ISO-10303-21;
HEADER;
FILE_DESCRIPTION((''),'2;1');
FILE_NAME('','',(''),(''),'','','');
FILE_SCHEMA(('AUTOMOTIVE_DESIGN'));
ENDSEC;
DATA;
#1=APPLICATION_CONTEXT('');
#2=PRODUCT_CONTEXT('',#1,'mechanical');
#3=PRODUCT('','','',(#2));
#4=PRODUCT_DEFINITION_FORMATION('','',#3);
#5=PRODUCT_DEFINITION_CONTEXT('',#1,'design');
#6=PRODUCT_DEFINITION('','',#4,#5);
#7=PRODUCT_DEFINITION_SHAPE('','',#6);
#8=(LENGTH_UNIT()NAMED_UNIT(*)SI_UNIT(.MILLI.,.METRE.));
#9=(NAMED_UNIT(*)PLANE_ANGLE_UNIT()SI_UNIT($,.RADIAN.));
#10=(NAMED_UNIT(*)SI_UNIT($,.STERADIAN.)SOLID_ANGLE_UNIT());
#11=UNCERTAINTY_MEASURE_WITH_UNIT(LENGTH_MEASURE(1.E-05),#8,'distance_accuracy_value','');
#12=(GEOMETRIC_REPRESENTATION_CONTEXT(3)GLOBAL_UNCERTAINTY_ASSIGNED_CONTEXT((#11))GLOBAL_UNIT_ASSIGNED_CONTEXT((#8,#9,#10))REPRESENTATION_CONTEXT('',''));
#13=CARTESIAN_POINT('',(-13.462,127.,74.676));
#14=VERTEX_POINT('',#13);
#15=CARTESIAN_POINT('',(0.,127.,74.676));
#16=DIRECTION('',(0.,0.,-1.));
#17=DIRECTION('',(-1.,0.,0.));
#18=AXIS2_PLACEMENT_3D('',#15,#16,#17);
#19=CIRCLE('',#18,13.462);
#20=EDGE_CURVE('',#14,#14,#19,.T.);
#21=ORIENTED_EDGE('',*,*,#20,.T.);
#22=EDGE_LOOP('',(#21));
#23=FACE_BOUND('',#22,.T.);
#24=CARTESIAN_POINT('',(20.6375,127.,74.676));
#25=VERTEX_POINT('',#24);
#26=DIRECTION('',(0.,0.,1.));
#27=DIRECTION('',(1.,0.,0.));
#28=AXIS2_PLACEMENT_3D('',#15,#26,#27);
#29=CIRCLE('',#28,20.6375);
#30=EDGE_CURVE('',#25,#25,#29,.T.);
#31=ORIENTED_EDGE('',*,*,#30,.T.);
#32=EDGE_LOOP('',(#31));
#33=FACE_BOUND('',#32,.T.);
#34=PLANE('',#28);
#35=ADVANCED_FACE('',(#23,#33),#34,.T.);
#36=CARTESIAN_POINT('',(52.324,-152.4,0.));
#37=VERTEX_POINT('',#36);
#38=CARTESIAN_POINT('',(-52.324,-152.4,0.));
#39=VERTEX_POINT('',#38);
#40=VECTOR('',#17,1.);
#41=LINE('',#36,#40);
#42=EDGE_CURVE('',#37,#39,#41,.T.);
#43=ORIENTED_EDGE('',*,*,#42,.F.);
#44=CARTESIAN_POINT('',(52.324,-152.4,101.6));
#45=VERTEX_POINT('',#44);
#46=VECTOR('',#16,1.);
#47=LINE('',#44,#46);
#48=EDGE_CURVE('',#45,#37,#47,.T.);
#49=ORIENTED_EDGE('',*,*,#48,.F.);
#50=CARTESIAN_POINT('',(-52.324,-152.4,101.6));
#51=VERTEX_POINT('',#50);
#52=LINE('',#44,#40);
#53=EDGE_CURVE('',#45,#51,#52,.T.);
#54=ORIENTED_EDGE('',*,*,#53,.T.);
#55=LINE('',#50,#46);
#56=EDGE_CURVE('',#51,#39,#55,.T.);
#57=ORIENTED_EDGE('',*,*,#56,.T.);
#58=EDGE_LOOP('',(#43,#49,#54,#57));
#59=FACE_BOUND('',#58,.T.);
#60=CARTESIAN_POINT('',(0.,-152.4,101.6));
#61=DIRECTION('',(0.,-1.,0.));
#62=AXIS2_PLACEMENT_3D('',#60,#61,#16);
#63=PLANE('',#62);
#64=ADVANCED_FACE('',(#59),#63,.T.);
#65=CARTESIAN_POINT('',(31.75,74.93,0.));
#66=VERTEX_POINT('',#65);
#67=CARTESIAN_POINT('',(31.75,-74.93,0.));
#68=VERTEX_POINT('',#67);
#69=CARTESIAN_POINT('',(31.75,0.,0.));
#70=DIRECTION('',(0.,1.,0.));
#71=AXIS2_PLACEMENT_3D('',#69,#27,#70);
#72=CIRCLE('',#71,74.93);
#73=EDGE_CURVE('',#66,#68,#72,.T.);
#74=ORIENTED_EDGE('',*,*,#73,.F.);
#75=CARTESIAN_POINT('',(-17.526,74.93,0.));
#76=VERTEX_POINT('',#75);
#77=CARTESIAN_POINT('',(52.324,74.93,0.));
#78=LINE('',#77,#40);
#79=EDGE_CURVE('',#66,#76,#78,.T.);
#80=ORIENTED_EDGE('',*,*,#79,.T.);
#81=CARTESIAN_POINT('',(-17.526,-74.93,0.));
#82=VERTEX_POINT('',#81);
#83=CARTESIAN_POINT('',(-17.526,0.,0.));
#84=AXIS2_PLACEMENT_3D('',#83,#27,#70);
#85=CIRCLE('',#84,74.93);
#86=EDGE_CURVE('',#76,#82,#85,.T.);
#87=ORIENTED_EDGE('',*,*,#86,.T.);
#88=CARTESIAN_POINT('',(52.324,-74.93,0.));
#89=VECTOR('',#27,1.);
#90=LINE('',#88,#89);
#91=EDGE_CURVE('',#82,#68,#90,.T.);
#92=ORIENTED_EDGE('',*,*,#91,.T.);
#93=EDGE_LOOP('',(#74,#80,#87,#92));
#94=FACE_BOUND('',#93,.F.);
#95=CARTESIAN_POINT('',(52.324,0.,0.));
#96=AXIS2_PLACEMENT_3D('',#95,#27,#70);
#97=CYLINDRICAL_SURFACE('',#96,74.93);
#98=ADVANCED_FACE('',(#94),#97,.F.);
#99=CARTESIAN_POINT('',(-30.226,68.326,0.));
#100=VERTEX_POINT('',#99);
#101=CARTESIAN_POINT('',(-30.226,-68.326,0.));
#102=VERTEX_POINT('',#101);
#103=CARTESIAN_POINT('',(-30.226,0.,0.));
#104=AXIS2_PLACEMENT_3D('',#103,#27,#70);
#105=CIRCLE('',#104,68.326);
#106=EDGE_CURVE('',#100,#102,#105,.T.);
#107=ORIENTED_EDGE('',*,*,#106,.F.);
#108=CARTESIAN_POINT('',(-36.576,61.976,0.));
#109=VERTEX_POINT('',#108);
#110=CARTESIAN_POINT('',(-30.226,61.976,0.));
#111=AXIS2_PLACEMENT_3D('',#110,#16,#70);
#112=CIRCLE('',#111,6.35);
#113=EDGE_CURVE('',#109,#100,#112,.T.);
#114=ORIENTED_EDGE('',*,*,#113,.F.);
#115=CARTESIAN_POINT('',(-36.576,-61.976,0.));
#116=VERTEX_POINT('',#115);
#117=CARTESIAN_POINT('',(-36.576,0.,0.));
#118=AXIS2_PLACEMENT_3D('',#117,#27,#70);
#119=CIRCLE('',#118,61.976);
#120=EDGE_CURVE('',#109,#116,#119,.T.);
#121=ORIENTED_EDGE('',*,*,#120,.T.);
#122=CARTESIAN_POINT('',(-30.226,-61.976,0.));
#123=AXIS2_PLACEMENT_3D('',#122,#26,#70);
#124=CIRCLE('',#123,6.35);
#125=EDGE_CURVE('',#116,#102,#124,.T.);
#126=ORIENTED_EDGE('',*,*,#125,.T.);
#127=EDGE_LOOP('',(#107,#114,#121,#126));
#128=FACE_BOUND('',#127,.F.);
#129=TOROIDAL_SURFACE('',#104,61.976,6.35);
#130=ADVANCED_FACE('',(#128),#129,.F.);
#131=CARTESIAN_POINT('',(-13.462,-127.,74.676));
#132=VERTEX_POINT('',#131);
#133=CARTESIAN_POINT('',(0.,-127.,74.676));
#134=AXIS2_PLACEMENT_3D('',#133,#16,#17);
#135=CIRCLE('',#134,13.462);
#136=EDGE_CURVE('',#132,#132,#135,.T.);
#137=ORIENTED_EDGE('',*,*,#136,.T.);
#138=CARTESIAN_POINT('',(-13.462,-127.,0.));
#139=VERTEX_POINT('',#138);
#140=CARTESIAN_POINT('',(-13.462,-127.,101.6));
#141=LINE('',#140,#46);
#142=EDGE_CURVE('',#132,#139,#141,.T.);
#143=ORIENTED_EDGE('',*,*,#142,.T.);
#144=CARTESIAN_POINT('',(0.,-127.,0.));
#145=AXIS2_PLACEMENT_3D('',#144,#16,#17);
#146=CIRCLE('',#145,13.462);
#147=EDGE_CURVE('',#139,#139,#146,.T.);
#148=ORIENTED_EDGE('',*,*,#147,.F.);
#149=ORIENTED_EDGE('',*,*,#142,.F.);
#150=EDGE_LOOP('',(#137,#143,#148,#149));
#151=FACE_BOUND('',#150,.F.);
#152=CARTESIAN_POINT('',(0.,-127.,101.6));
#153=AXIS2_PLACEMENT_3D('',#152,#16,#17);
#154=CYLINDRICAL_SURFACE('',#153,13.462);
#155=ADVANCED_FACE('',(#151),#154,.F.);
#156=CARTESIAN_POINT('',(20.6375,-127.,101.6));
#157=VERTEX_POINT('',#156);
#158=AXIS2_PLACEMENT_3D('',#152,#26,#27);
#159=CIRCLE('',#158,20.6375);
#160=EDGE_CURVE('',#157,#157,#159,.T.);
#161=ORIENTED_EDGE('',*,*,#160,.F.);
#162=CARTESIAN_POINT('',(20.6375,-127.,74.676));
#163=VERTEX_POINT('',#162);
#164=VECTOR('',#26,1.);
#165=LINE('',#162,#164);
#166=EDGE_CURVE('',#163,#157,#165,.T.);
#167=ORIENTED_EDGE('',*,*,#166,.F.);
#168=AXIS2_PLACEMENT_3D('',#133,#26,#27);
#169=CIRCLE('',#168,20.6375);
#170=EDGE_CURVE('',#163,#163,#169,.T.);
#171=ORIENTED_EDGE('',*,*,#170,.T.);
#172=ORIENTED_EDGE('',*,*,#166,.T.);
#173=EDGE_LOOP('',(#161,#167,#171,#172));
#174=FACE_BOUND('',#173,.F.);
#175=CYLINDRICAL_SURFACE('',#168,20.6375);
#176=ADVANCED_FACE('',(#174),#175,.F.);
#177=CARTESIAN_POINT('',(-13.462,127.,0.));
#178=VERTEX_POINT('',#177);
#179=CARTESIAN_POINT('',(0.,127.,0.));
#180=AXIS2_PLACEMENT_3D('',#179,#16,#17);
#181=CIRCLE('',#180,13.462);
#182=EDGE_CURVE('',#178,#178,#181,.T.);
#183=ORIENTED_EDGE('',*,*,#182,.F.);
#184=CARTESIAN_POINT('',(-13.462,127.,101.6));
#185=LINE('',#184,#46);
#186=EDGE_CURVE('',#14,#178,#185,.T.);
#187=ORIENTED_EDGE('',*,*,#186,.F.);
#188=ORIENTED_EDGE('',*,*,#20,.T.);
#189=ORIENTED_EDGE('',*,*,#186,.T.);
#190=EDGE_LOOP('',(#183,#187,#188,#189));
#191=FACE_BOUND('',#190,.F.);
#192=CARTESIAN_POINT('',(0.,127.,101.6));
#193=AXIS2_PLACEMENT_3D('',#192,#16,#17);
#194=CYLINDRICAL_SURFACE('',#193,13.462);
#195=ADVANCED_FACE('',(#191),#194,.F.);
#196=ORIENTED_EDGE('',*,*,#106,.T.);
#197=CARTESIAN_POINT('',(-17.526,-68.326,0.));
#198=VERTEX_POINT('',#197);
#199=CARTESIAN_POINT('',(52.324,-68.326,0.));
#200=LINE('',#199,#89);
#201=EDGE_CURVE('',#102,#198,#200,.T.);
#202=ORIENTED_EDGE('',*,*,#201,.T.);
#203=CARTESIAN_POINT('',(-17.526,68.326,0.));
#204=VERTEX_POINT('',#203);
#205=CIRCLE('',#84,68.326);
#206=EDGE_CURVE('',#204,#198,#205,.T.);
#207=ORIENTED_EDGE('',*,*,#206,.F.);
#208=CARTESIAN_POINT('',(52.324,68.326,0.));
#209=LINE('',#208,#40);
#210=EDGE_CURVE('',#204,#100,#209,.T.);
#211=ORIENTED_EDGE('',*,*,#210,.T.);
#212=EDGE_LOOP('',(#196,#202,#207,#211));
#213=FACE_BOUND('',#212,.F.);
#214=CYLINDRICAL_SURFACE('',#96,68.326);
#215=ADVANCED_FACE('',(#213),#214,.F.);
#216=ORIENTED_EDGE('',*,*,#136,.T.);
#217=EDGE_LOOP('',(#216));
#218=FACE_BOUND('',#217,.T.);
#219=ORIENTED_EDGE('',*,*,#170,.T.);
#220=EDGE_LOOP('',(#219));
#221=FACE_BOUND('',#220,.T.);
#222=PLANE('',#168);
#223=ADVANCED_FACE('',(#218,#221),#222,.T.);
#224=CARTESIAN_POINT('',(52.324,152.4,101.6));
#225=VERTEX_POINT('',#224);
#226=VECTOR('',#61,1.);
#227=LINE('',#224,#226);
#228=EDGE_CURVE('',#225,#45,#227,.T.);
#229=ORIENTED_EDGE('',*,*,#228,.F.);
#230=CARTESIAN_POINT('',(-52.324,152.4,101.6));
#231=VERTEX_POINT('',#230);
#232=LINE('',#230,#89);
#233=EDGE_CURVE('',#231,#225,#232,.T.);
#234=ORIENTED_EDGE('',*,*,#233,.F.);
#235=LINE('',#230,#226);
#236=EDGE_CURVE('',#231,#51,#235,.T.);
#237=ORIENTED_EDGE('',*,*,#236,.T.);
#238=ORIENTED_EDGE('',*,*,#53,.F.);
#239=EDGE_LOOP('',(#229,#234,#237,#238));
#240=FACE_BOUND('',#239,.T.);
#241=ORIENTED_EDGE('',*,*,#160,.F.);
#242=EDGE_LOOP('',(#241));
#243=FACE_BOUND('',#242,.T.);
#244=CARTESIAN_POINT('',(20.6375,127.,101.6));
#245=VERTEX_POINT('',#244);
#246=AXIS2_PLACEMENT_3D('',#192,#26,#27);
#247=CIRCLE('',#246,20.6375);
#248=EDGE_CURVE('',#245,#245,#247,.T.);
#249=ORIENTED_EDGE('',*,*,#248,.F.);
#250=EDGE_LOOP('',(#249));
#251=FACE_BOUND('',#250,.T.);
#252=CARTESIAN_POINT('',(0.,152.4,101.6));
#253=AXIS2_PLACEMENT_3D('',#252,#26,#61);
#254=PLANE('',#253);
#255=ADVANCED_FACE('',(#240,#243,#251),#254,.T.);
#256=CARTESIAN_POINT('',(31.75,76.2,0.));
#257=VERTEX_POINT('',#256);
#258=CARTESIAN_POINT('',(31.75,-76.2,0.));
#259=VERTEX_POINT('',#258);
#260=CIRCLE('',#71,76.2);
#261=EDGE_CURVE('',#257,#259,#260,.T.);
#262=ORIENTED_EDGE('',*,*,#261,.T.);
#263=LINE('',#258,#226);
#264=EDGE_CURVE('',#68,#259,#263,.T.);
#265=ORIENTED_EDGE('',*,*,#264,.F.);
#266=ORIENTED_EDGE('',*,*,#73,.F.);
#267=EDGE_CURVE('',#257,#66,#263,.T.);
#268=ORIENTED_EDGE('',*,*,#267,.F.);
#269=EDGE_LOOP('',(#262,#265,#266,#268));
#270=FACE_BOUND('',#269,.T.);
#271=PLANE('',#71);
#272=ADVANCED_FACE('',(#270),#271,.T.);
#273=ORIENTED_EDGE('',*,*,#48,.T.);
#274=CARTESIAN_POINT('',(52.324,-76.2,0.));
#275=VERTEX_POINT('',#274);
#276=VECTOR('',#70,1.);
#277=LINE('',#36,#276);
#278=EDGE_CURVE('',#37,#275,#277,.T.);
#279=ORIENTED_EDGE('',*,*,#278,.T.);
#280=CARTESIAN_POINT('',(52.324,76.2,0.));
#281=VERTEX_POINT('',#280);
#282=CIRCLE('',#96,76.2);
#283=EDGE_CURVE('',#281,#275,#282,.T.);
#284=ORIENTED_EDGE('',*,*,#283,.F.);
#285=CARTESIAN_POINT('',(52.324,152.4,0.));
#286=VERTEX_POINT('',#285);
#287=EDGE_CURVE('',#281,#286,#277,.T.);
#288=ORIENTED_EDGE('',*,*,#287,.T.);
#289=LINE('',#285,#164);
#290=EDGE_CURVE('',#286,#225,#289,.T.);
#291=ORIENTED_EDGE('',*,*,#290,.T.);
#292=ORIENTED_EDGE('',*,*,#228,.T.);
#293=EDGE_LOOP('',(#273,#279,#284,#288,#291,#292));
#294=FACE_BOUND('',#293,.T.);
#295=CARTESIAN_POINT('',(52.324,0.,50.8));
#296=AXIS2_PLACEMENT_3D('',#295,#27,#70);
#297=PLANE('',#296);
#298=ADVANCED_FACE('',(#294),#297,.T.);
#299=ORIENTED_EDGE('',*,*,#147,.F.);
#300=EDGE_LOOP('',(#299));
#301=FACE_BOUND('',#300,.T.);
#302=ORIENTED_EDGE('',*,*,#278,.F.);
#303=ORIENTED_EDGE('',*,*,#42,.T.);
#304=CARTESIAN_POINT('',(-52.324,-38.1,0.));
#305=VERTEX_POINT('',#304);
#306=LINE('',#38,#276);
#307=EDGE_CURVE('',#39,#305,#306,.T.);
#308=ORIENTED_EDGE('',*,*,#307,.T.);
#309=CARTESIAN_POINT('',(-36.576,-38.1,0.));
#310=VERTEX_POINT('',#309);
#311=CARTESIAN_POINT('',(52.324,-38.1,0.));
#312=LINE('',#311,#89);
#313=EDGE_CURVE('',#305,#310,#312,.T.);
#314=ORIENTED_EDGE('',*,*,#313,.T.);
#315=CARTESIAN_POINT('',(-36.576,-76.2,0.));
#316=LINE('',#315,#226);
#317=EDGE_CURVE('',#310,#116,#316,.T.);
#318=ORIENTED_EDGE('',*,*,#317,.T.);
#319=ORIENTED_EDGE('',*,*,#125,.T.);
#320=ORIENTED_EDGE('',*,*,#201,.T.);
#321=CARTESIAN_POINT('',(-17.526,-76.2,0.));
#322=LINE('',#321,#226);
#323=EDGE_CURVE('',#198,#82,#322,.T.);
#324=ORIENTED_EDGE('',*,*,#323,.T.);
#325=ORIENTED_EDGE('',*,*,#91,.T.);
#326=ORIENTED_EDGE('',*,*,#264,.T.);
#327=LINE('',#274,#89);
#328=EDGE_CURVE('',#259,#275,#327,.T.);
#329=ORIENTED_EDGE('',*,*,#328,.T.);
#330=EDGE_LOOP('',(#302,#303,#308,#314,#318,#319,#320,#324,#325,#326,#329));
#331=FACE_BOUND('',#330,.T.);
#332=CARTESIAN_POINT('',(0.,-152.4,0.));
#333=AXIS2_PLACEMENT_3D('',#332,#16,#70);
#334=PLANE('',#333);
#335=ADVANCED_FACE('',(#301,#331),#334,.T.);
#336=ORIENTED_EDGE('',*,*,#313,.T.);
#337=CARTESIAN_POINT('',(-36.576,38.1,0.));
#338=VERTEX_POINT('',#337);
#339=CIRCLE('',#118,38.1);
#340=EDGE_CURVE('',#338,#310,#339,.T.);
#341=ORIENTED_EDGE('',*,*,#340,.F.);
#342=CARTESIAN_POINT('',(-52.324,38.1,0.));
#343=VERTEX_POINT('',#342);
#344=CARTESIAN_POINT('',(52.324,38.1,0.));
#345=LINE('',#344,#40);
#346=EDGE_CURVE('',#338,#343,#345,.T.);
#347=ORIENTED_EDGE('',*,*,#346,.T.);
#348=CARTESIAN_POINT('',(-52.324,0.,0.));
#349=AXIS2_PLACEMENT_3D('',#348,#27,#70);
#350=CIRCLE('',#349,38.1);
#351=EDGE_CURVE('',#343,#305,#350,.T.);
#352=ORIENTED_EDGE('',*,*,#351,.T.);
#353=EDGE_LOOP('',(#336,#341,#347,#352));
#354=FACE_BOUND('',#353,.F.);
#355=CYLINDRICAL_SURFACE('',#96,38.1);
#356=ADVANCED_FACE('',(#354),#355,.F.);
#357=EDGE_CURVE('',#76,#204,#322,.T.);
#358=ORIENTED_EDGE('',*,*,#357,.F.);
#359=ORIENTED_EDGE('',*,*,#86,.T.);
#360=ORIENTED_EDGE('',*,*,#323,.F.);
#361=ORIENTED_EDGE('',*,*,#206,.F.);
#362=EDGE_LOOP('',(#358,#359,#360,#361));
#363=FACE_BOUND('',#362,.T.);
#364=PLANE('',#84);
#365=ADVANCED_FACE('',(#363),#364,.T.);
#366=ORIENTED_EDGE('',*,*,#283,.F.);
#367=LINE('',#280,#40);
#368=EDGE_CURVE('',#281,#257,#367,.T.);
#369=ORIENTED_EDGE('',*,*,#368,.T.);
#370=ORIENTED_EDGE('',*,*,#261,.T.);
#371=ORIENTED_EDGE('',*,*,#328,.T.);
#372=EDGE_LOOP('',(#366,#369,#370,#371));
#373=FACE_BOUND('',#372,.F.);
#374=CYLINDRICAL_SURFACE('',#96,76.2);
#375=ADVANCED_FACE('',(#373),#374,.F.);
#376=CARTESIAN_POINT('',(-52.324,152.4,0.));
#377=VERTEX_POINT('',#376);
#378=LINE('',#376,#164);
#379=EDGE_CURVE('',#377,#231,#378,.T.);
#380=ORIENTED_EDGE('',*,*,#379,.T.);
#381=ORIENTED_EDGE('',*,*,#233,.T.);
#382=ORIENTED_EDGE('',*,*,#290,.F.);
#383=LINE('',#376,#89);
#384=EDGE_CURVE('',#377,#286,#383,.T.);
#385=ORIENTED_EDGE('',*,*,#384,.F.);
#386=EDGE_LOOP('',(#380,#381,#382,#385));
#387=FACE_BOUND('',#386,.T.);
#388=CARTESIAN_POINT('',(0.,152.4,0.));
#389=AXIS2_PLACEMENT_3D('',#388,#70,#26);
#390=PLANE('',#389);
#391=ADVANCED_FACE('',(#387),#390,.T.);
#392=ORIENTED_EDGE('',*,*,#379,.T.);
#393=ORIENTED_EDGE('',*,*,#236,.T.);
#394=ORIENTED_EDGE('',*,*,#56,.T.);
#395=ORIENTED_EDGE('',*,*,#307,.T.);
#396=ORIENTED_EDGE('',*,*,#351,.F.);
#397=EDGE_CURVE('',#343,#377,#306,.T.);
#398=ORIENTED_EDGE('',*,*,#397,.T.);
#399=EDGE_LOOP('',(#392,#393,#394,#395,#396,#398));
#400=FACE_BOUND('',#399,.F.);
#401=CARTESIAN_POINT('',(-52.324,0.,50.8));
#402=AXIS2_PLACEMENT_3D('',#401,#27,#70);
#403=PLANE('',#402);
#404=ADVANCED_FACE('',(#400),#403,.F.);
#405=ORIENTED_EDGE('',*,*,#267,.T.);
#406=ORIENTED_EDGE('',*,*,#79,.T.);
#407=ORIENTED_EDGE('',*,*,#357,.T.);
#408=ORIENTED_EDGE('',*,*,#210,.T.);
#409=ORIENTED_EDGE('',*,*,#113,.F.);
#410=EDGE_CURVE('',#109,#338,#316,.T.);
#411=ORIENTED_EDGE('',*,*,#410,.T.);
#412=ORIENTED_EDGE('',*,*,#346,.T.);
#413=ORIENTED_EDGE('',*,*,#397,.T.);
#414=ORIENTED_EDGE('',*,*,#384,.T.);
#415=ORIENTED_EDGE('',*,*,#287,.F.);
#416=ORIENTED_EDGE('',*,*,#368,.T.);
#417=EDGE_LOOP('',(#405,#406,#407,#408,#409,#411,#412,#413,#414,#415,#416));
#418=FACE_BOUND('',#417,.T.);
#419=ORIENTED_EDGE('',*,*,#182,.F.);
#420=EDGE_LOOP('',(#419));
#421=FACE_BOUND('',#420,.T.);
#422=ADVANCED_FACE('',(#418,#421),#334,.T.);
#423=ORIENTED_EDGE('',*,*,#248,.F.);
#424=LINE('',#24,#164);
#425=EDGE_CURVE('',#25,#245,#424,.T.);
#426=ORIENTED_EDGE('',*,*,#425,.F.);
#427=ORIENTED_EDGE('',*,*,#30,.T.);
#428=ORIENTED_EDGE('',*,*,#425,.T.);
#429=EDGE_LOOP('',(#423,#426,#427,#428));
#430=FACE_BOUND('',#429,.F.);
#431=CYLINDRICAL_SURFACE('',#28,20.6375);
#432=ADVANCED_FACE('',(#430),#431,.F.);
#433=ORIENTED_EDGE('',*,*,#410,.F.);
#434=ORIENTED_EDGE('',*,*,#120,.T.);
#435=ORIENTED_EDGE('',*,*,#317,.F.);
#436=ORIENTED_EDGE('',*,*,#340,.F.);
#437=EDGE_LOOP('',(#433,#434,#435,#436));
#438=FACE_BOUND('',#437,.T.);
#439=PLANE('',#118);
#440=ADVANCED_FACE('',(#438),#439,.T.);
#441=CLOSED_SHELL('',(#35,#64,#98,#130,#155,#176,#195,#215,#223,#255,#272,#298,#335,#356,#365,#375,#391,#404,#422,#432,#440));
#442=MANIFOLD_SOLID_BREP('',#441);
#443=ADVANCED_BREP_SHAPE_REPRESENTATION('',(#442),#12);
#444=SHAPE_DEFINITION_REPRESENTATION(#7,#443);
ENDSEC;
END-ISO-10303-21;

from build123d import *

# Parameters (mm, degrees)
F1_DEPTH        = 52.324
F2_R            = 38.1
F3_DEPTH        = 104.649
F4_R            = 68.326
F5_DEPTH        = 88.9
F6_R            = 6.35
F7_R            = 74.93
F8_DEPTH        = 69.85
F9_R            = 76.2
F10_DEPTH       = 20.574
F12_D           = 26.924
F12_CBORE_D     = 41.275
F12_CBORE_DEPTH = 26.924


with BuildPart() as f1:
    # F0 (on Right) → F1 (new body, symmetric)
    with BuildSketch(Plane.YZ):
        Polygon((-152.4, 0), (0, 0), (152.4, 0), (152.4, 101.6), (0, 101.6), (-152.4, 101.6), align=None)
    extrude(amount=F1_DEPTH, both=True)

    # F2 (on face) → F3 (cut, through all)
    with BuildSketch(Plane.YZ.offset(52.324)):
        Circle(F2_R)
    extrude(amount=-F3_DEPTH, mode=Mode.SUBTRACT)

    # F4 (on face) → F5 (cut)
    with BuildSketch(Plane.YZ.offset(52.324)):
        Circle(F4_R)
    extrude(amount=-F5_DEPTH, mode=Mode.SUBTRACT)

    # F6
    f6_edges = [f1.edges().sort_by_distance(p)[0] for p in [
        (-36.576, 0, 68.326),
    ]]
    fillet(f6_edges, radius=F6_R)

    # F7 (on face) → F8 (cut)
    with BuildSketch(Plane.YZ.offset(52.324)):
        Circle(F7_R)
    extrude(amount=-F8_DEPTH, mode=Mode.SUBTRACT)

    # F9 (on face) → F10 (cut)
    with BuildSketch(Plane.YZ.offset(52.324)):
        Circle(F9_R)
    extrude(amount=-F10_DEPTH, mode=Mode.SUBTRACT)

    # F12 (through all)
    with Locations(Plane.XY.offset(101.6)):
        with Locations((0, -127), (0, 127)):
            CounterBoreHole(F12_D / 2, F12_CBORE_D / 2, F12_CBORE_DEPTH)


solid = f1.part
